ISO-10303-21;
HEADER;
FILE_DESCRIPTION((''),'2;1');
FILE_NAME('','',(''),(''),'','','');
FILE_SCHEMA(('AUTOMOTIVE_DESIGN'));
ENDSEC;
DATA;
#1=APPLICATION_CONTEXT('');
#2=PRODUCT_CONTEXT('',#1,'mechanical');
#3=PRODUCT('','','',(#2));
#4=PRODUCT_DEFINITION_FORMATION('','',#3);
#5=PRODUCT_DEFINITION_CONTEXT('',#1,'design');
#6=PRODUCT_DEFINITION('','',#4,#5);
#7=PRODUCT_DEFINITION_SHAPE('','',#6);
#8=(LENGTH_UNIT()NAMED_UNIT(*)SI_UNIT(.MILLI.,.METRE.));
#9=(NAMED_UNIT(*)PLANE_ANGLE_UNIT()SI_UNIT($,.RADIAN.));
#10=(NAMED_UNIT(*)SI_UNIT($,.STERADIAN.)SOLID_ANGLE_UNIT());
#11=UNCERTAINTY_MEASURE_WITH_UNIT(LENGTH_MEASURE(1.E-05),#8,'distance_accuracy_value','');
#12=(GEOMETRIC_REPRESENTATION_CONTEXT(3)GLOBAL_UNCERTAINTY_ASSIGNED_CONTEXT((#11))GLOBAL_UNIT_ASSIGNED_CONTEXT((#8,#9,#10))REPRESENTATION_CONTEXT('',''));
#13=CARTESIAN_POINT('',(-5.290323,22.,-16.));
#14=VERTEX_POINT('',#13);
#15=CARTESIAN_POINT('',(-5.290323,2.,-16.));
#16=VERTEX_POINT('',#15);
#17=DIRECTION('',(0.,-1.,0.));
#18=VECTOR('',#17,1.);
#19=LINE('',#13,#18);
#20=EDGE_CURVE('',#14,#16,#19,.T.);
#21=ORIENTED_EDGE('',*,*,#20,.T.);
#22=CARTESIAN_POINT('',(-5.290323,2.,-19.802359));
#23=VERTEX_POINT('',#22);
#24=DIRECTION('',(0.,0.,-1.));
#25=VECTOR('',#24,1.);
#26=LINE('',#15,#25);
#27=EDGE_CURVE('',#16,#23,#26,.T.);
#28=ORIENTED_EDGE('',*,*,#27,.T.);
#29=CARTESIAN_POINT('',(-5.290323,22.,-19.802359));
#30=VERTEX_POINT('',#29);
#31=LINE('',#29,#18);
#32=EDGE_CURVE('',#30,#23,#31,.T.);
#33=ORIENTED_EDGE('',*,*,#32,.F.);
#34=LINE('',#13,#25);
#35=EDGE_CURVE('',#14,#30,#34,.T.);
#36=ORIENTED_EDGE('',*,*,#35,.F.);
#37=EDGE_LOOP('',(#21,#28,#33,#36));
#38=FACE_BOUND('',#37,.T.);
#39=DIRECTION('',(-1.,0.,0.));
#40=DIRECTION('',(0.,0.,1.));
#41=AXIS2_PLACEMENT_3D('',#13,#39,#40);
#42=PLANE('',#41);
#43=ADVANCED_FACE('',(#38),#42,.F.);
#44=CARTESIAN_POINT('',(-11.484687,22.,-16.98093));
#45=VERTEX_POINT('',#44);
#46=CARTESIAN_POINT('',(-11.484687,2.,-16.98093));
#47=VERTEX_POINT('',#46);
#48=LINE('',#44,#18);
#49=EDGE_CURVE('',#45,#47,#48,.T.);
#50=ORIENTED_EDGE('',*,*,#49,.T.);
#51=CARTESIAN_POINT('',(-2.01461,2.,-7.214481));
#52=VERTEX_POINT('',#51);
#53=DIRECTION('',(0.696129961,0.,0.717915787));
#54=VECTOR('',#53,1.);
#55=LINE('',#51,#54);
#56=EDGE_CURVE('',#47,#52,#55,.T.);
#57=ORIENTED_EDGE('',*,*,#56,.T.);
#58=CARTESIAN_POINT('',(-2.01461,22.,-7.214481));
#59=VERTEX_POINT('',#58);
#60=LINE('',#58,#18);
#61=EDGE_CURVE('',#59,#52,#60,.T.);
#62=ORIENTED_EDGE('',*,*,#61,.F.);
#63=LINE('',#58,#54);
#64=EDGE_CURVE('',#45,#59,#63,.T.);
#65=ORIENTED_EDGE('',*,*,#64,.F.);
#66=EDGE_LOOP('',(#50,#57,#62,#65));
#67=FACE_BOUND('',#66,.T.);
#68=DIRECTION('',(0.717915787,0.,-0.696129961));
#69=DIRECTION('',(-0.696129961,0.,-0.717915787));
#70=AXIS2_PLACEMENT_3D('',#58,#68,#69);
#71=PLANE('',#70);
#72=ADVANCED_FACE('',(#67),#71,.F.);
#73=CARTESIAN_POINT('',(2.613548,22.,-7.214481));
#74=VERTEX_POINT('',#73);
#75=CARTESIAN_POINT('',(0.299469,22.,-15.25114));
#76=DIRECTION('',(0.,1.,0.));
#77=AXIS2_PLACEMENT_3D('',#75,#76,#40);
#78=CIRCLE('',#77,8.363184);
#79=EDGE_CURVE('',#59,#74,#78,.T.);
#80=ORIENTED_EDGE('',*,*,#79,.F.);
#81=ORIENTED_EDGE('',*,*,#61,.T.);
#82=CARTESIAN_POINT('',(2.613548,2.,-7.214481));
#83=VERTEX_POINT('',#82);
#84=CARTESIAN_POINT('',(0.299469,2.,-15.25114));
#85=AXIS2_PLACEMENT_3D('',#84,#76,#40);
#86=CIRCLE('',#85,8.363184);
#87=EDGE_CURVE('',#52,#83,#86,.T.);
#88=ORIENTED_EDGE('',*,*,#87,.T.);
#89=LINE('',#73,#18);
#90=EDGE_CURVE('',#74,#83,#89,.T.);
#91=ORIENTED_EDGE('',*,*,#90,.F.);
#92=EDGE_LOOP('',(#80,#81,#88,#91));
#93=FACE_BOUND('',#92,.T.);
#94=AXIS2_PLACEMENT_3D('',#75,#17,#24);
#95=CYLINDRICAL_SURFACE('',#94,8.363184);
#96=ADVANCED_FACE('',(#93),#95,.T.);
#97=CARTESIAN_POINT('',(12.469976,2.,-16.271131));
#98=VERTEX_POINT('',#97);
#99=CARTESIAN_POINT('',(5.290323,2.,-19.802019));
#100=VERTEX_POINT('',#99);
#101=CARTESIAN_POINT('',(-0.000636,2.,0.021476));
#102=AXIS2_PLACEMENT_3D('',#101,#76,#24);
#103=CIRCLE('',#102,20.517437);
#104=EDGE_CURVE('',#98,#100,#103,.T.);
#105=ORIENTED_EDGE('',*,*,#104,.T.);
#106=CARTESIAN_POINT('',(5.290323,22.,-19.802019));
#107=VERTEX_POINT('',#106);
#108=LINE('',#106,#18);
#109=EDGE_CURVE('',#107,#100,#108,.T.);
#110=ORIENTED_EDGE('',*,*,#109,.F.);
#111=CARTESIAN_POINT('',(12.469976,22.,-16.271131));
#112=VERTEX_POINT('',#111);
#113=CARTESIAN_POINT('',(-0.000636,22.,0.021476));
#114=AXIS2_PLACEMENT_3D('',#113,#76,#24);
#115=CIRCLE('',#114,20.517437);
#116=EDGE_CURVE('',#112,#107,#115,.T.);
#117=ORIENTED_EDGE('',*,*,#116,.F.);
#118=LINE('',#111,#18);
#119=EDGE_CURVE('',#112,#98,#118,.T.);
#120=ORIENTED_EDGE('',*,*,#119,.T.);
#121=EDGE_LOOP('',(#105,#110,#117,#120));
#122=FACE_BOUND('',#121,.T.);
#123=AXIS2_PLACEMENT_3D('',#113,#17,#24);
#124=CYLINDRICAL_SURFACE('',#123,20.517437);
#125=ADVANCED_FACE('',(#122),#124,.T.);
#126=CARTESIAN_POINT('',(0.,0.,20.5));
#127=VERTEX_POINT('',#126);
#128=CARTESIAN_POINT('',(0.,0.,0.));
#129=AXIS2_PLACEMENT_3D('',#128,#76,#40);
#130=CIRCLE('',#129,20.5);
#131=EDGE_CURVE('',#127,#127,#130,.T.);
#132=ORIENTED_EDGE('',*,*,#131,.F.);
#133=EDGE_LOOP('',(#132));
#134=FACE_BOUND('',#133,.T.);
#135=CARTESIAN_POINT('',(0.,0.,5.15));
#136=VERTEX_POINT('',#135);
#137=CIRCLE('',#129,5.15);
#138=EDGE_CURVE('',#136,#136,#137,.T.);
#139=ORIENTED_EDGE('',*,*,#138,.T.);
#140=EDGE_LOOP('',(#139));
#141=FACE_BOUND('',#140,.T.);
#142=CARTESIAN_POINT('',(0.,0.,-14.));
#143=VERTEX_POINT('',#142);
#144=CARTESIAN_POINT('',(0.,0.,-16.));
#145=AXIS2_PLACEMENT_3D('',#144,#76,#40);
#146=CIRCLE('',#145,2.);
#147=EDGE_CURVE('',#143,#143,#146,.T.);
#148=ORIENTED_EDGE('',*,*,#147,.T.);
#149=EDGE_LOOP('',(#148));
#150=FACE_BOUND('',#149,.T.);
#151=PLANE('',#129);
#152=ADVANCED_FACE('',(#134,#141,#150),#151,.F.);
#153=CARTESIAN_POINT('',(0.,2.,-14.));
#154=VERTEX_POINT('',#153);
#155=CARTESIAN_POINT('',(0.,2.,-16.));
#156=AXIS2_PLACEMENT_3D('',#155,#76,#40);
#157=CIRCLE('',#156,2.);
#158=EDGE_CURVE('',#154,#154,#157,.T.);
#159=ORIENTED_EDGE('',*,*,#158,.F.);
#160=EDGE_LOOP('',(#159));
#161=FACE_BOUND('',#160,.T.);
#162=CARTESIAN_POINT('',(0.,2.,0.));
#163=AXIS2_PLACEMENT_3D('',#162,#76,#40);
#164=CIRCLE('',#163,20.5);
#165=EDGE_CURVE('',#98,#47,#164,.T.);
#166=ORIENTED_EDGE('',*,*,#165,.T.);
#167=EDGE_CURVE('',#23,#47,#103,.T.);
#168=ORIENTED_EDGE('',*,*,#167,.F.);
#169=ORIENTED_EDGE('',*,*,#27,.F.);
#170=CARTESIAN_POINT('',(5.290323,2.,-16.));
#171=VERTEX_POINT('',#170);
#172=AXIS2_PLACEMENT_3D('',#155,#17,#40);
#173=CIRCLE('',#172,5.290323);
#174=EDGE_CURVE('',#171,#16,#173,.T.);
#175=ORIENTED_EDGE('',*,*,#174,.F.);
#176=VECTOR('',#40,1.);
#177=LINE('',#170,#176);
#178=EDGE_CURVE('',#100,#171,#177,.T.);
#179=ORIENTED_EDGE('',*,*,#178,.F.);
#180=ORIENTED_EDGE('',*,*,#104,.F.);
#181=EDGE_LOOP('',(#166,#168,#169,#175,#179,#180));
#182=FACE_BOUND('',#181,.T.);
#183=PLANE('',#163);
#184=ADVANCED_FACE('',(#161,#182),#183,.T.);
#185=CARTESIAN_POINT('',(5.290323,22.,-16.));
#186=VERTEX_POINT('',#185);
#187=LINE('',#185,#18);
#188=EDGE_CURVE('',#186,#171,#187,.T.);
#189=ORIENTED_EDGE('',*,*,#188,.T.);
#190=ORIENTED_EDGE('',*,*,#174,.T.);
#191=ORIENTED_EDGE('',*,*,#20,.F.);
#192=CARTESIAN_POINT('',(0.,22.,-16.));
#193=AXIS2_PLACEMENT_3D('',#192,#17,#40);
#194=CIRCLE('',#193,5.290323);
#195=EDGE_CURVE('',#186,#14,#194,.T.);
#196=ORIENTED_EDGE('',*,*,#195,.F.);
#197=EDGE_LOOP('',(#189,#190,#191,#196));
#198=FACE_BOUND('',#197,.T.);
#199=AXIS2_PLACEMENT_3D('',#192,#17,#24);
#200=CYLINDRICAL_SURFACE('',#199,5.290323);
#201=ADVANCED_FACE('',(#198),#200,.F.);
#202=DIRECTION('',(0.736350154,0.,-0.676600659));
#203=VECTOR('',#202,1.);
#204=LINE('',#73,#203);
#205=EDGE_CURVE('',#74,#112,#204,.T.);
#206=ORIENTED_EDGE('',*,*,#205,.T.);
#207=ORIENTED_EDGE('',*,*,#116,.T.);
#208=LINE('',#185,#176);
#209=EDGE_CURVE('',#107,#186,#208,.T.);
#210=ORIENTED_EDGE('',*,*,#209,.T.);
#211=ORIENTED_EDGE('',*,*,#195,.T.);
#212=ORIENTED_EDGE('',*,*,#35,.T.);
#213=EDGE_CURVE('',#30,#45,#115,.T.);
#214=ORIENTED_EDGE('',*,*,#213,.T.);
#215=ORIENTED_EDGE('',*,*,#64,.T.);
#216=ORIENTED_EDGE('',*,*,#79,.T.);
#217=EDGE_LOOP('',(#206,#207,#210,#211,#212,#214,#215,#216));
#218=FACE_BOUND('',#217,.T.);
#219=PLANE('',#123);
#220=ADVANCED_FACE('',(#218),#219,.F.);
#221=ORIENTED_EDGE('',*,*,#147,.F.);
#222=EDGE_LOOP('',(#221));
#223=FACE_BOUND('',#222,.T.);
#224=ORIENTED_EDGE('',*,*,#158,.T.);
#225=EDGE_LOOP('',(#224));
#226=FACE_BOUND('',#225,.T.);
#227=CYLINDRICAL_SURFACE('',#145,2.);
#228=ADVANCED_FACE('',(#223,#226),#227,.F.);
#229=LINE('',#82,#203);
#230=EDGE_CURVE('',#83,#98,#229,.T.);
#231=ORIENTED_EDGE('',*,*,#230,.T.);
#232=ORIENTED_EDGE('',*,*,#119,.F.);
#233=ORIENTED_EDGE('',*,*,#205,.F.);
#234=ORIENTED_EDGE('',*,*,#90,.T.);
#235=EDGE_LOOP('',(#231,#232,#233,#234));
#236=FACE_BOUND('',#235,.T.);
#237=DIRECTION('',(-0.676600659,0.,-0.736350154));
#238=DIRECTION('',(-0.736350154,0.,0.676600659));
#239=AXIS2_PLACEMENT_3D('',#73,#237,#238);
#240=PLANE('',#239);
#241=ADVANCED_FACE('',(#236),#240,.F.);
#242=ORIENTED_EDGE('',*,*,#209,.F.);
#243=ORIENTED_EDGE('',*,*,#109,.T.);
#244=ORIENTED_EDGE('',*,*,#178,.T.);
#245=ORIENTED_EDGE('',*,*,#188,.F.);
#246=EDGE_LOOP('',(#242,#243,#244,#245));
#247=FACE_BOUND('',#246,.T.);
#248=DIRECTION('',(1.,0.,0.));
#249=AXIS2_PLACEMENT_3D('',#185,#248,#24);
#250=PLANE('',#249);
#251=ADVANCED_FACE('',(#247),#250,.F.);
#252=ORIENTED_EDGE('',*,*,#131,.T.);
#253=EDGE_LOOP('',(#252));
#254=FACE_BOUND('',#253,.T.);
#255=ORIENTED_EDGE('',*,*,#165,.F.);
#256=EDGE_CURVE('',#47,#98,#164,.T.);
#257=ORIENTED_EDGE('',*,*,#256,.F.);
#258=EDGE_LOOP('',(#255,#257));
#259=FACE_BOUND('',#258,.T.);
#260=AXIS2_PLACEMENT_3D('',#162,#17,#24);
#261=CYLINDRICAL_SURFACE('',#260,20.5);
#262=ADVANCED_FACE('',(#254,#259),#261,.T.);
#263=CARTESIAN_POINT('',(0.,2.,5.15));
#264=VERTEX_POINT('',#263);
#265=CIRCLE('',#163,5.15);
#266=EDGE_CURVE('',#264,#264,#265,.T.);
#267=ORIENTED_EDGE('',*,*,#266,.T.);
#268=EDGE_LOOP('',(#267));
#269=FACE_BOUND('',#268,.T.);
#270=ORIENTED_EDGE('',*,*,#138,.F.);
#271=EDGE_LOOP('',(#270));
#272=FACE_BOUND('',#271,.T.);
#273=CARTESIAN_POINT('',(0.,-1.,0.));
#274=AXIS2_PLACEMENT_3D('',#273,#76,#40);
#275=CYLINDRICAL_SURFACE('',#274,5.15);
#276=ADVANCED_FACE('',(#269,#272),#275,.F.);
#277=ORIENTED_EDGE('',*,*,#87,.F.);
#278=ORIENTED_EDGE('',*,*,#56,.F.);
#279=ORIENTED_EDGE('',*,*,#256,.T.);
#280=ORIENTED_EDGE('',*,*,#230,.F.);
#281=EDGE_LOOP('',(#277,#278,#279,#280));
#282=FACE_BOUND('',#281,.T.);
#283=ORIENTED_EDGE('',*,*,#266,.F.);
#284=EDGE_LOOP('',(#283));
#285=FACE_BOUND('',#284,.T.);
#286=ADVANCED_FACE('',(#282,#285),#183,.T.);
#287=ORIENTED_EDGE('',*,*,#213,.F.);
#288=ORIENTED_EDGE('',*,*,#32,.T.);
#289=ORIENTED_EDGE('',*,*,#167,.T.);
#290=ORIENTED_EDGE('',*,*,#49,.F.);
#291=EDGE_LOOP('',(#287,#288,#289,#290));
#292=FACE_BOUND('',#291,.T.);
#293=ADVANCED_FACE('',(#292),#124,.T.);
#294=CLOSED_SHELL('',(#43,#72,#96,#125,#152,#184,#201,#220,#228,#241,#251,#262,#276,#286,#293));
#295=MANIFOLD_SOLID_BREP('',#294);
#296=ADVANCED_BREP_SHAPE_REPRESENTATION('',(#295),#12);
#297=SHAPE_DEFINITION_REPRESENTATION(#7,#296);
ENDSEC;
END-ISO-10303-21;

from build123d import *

# Parameters (mm, degrees)
SKETCH1_R           = 20.5
BOSS_EXTRUDE1_DEPTH = 2
SKETCH2_R           = 5.15
CUT_EXTRUDE1_DEPTH  = 3
SKETCH3_R           = 2
CUT_EXTRUDE2_DEPTH  = 2
BOSS_EXTRUDE4_DEPTH = 20


with BuildPart() as part:
    # Sketch1 → Boss-Extrude1 (new body)
    with BuildSketch(Plane(origin=(0, 0, 0), x_dir=(1, 0, 0), z_dir=(0, 1, 0))):
        with Locations(Location((0, 0, 0), (0, 0, 270))):
            Circle(SKETCH1_R)
    extrude(amount=BOSS_EXTRUDE1_DEPTH)

    # Sketch2 → Cut-Extrude1 (cut)
    with BuildSketch(Plane(origin=(0, 2, 0), x_dir=(1, 0, 0), z_dir=(0, 1, 0))):
        with Locations(Location((0, 0, 0), (0, 0, 270))):
            Circle(SKETCH2_R)
    extrude(amount=-CUT_EXTRUDE1_DEPTH, mode=Mode.SUBTRACT)

    # Sketch3 → Cut-Extrude2 (cut)
    with BuildSketch(Plane(origin=(0, 2, 0), x_dir=(1, 0, 0), z_dir=(0, 1, 0))):
        with Locations(Location((0, 16, 0), (0, 0, 270))):
            Circle(SKETCH3_R)
    extrude(amount=-CUT_EXTRUDE2_DEPTH, mode=Mode.SUBTRACT)

    # Sketch4 → Boss-Extrude4 (add)
    with BuildSketch(Plane(origin=(0, 2, 0), x_dir=(1, 0, 0), z_dir=(0, 1, 0))):
        with BuildLine():
            Line((-2.014609667, 7.214480564), (-11.484686708, 16.980929633))
            ThreePointArc((-11.484686708, 16.980929633), (-8.505321904, 18.650308428), (-5.290322683, 19.802358863))
            Line((-5.290322683, 19.802358863), (-5.290322683, 16))
            ThreePointArc((-5.290322683, 16), (0, 10.709677317), (5.290322683, 16))
            Line((5.290322683, 16), (5.290322683, 19.802019217))
            ThreePointArc((5.290322683, 19.802019217), (9.053928633, 18.389935215), (12.469975936, 16.271130881))
            Line((12.469975936, 16.271130881), (2.613547676, 7.214480564))
            ThreePointArc((2.613547676, 7.214480564), (0.299469005, 6.887955487), (-2.014609667, 7.214480564))
        make_face()
    extrude(amount=BOSS_EXTRUDE4_DEPTH)


solid = part.part
